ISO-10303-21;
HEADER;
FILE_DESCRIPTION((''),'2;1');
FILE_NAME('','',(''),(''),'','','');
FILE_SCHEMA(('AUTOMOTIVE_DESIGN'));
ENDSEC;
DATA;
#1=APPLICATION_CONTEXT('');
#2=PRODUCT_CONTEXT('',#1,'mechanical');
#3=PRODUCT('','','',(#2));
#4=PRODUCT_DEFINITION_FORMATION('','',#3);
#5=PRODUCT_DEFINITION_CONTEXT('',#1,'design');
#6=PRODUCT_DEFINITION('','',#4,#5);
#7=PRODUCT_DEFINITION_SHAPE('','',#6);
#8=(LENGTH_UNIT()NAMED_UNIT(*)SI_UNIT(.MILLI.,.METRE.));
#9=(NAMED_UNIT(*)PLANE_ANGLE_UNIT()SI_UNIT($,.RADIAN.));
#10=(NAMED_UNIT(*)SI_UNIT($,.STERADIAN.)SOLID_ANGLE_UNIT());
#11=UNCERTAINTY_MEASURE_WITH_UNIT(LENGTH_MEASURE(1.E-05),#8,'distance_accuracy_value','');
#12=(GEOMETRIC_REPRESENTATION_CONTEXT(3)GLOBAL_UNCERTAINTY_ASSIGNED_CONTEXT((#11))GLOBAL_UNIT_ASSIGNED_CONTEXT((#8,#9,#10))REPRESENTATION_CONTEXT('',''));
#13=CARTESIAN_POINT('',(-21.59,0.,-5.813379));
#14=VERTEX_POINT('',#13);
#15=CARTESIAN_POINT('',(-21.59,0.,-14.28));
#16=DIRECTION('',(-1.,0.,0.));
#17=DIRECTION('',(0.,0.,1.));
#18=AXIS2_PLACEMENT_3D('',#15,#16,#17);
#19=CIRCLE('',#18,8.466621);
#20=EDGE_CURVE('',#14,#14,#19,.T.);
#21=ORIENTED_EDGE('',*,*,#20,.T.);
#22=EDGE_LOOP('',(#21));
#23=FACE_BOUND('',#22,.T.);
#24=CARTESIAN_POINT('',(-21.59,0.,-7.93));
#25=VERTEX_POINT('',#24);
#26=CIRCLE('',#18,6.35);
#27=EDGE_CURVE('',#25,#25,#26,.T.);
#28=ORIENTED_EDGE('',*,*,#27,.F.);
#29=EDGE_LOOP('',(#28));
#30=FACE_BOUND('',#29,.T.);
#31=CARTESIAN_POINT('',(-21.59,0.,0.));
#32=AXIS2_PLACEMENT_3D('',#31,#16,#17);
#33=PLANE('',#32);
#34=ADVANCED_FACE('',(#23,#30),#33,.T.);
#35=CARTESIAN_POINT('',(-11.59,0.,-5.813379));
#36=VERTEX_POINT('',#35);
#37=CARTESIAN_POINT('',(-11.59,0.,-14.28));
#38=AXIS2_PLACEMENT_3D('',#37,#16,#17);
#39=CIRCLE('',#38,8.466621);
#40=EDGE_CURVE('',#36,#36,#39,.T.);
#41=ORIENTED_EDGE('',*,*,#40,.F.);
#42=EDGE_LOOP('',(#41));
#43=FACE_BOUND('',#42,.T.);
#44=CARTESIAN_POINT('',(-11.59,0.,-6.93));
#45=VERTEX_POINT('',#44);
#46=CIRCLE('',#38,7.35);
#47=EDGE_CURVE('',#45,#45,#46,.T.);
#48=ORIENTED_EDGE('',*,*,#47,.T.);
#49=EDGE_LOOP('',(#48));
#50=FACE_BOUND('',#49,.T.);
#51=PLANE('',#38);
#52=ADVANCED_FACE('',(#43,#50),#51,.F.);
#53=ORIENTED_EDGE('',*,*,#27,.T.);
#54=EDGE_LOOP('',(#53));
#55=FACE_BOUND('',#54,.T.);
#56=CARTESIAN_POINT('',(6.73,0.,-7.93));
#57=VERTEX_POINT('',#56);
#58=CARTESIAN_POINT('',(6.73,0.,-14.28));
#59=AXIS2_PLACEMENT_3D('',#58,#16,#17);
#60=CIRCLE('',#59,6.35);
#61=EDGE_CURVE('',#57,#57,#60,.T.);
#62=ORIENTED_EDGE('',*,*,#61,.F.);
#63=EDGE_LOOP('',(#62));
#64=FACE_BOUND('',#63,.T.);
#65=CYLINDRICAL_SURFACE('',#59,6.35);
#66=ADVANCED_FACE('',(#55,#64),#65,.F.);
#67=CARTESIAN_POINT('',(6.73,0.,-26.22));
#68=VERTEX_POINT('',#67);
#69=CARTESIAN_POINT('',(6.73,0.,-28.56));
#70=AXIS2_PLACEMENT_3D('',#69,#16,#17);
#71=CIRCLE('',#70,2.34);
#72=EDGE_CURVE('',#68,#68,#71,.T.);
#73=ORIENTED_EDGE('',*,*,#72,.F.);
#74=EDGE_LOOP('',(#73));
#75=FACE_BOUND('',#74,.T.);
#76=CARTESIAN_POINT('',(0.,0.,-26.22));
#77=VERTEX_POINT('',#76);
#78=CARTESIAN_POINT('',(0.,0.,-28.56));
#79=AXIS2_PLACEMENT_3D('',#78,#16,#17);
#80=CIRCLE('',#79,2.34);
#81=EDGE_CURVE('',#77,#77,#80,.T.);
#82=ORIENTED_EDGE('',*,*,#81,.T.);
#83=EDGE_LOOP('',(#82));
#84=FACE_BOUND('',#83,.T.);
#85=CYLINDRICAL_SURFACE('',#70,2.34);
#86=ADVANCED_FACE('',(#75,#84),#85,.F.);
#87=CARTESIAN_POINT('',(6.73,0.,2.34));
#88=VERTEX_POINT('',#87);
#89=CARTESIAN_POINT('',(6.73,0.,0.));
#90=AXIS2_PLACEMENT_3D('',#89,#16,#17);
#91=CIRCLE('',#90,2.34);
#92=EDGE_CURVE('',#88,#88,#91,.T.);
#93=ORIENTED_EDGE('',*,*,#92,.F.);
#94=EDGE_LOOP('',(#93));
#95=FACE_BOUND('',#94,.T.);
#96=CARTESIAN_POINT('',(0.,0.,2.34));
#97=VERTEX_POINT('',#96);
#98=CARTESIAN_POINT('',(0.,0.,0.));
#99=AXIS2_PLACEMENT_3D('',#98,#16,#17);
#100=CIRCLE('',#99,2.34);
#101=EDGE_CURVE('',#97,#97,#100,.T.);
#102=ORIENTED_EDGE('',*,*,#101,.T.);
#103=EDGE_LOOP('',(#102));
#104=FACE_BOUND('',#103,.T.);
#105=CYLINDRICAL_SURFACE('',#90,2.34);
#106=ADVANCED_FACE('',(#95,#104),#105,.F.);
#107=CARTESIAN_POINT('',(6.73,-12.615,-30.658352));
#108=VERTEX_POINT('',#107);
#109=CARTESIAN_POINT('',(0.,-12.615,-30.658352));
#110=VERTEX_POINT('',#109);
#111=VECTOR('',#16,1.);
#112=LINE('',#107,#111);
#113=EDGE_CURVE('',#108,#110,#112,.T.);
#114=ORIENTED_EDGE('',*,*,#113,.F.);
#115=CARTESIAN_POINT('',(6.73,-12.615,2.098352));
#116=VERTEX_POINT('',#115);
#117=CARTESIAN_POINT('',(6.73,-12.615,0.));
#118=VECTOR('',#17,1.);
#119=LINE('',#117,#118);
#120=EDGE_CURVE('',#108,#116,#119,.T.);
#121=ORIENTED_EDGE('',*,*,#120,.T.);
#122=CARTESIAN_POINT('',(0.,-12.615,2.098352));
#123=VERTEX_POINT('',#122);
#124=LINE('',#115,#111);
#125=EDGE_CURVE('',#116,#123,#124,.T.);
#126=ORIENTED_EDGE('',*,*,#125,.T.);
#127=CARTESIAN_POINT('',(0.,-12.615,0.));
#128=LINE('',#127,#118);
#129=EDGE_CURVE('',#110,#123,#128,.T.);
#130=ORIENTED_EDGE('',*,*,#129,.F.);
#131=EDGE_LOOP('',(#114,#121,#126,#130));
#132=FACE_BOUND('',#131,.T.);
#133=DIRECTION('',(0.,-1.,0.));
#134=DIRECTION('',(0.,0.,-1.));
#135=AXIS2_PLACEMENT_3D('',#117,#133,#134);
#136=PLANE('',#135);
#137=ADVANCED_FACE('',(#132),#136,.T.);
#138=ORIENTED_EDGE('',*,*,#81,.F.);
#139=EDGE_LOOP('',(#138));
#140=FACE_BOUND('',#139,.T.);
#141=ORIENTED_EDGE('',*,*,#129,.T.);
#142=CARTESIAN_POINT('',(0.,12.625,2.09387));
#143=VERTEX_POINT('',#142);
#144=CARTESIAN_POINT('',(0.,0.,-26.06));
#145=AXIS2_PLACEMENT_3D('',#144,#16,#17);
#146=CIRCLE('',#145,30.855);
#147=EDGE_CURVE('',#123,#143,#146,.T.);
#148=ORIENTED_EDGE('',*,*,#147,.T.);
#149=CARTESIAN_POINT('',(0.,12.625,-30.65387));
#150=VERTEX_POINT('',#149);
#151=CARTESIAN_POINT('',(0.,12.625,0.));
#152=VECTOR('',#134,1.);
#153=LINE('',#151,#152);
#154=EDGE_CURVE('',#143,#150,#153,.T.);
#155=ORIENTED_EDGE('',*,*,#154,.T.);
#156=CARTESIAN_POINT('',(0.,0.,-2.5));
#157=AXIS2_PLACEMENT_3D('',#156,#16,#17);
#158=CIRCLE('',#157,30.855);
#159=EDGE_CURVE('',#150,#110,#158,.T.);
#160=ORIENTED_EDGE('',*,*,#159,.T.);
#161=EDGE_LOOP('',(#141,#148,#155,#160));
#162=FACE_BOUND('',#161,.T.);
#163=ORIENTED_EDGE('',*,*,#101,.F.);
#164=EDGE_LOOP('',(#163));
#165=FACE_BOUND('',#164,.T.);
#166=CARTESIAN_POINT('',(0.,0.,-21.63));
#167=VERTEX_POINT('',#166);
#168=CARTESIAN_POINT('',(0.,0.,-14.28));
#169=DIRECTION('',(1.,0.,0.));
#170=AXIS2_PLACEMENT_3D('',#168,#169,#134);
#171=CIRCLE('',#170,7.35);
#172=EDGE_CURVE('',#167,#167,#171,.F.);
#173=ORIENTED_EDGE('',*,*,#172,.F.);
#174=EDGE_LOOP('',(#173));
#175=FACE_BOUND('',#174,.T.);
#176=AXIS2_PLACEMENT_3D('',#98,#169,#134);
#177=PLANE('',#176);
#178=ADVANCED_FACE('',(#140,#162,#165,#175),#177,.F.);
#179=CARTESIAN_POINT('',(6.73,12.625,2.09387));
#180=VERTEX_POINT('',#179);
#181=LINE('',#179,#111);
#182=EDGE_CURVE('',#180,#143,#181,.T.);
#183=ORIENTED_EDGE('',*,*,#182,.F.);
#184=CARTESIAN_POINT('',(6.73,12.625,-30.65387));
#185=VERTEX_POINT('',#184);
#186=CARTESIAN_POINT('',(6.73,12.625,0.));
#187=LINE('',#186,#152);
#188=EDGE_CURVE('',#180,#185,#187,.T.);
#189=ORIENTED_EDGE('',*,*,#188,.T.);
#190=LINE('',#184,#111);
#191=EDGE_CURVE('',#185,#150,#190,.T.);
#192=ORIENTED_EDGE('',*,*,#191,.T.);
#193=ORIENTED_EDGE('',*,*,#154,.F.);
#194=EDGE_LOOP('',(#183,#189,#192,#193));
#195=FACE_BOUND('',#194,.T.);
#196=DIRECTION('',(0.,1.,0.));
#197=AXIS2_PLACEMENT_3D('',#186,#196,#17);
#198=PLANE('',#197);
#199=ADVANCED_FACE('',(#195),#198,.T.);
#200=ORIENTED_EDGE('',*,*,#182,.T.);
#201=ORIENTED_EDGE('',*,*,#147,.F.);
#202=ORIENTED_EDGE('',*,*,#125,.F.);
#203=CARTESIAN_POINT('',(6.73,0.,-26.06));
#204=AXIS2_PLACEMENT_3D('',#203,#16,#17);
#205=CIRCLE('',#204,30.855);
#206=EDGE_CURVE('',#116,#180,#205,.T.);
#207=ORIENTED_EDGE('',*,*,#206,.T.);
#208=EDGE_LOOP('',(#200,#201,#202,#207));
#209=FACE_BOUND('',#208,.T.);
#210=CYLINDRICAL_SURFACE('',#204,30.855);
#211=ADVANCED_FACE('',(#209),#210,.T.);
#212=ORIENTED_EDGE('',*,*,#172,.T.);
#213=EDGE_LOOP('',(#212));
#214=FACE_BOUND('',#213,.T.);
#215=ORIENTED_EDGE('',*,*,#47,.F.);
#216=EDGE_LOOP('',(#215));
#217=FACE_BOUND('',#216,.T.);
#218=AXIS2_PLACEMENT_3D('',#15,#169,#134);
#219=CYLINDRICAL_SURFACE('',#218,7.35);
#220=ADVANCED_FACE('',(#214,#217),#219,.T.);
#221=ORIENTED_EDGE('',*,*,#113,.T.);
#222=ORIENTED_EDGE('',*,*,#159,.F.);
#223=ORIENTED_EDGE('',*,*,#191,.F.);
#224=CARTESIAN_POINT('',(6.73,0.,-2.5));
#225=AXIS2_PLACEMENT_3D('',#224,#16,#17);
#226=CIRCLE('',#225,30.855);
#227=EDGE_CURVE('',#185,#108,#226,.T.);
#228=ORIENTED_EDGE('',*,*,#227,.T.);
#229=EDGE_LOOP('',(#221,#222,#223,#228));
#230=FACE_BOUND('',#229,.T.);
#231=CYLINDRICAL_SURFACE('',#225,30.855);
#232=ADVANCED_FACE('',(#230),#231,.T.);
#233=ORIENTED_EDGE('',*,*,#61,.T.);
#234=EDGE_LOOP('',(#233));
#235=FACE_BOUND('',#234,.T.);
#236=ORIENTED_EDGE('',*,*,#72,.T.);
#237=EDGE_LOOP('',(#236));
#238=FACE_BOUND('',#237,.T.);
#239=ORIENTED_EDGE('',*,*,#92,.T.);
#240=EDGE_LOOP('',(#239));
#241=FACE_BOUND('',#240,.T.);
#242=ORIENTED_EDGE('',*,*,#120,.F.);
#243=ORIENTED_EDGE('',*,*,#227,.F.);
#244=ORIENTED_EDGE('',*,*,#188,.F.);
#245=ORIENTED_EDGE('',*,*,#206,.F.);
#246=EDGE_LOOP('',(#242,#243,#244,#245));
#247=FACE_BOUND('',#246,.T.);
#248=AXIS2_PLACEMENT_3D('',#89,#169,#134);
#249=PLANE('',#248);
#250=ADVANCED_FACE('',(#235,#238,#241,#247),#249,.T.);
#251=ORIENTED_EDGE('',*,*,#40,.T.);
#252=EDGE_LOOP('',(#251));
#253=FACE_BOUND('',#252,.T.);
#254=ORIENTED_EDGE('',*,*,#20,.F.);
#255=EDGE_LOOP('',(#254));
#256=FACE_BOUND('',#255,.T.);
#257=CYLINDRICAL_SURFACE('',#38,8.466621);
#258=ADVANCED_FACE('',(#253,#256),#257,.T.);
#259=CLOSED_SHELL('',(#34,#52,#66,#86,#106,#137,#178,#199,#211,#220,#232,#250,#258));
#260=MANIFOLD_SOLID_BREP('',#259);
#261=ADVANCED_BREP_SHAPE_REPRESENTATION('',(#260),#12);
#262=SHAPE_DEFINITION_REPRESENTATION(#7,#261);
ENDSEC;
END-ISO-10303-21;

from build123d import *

# Parameters (mm, degrees)
BOSS_EXTRUDE1_DEPTH = 6.73
CUT_EXTRUDE5_DEPTH  = 6.73
SKETCH4_R           = 7.35
BOSS_EXTRUDE2_DEPTH = 21.59
SKETCH5_R           = 6.35
CUT_EXTRUDE6_DEPTH  = 46.540850343
BOSS_EXTRUDE3_START = -10
SKETCH6_R           = 8.466621056
SKETCH6_R_2         = 7.35
BOSS_EXTRUDE3_DEPTH = 10
SKETCH7_R           = 2.5
SKETCH7_R_2         = 2.34
BOSS_EXTRUDE4_DEPTH = 6.73


with BuildPart() as part:
    # Sketch1 → Boss-Extrude1 (new body)
    with BuildSketch(Plane(origin=(0, 0, 0), x_dir=(0, 0, -1), z_dir=(1, 0, 0))):
        with BuildLine():
            Line((14.28, 0), (2.5, 0))
            ThreePointArc((2.5, 0), (0, -2.5), (-2.5, 0))
            Line((-2.5, 0), (-4.795, 0))
            Line((-4.795, 0), (-4.795, -12.615))
            Line((-4.795, -12.615), (14.28, -12.615))
            Line((14.28, -12.615), (14.28, 0))
        make_face()
        with BuildLine():
            ThreePointArc((-2.5, 0), (0, 2.5), (2.5, 0))
            Line((2.5, 0), (14.28, 0))
            Line((14.28, 0), (14.28, 12.625))
            Line((14.28, 12.625), (-4.795, 12.625))
            Line((-4.795, 12.625), (-4.795, 0))
            Line((-4.795, 0), (-2.5, 0))
        make_face()
        with BuildLine():
            Line((14.28, 12.625), (14.28, 0))
            Line((14.28, 0), (26.06, 0))
            ThreePointArc((26.06, 0), (28.56, 2.5), (31.06, 0))
            Line((31.06, 0), (33.355, 0))
            Line((33.355, 0), (33.355, 12.625))
            Line((33.355, 12.625), (14.28, 12.625))
        make_face()
        with BuildLine():
            Line((26.06, 0), (14.28, 0))
            Line((14.28, 0), (14.28, -12.615))
            Line((14.28, -12.615), (33.355, -12.615))
            Line((33.355, -12.615), (33.355, 0))
            Line((33.355, 0), (31.06, 0))
            ThreePointArc((31.06, 0), (28.56, -2.5), (26.06, 0))
        make_face()
    extrude(amount=BOSS_EXTRUDE1_DEPTH)

    # Sketch3 → Cut-Extrude5 (cut)
    with BuildSketch(Plane.ZY):
        with BuildLine():
            Line((4.795, -12.615), (4.795, 0))
            ThreePointArc((4.795, 0), (4.113307599, -6.450002601), (2.098352225, -12.615))
            Line((2.098352225, -12.615), (4.795, -12.615))
        make_face()
        with BuildLine():
            Line((4.795, 12.625), (2.093870071, 12.625))
            ThreePointArc((2.093870071, 12.625), (4.112161723, 6.455360716), (4.795, 0))
            Line((4.795, 0), (4.795, 12.625))
        make_face()
        with BuildLine():
            ThreePointArc((-33.355, 1.23e-07), (-32.67216171, 6.455360776), (-30.653870071, 12.625))
            Line((-30.653870071, 12.625), (-33.355, 12.625))
            Line((-33.355, 12.625), (-33.355, 1.23e-07))
        make_face()
        with BuildLine():
            ThreePointArc((-30.658352225, -12.615), (-32.673307611, -6.450002541), (-33.355, 1.23e-07))
            Line((-33.355, 1.23e-07), (-33.355, -12.615))
            Line((-33.355, -12.615), (-30.658352225, -12.615))
        make_face()
    extrude(amount=-CUT_EXTRUDE5_DEPTH, mode=Mode.SUBTRACT)

    # Sketch4 → Boss-Extrude2 (add)
    with BuildSketch(Plane.ZY):
        with Locations(Location((-14.28, 0, 0), (0, 0, 180))):
            Circle(SKETCH4_R)
    extrude(amount=BOSS_EXTRUDE2_DEPTH)

    # Sketch5 → Cut-Extrude6 (cut, through all)
    with BuildSketch(Plane.ZY.offset(21.59)):
        with Locations((-14.28, 0)):
            Circle(SKETCH5_R)
    extrude(amount=-CUT_EXTRUDE6_DEPTH, mode=Mode.SUBTRACT)

    # Sketch6 → Boss-Extrude3 (add)
    with BuildSketch(Plane.ZY.offset(21.59).offset(BOSS_EXTRUDE3_START)):
        with Locations((-14.28, 0)):
            Circle(SKETCH6_R)
        with Locations(Location((-14.28, 0, 0), (0, 0, 180))):
            Circle(SKETCH6_R_2, mode=Mode.SUBTRACT)
    extrude(amount=BOSS_EXTRUDE3_DEPTH)

    # Sketch7 → Boss-Extrude4 (add, through all)
    # profile 1 of 2: a face of its own
    with BuildSketch(Plane.ZY):
        with Locations((-28.56, 0)):
            Circle(SKETCH7_R)
        with Locations((-28.56, 0)):
            Circle(SKETCH7_R_2, mode=Mode.SUBTRACT)
    # profile 2 of 2: a face of its own
    with BuildSketch(Plane.ZY):
        Circle(SKETCH7_R)
        Circle(SKETCH7_R_2, mode=Mode.SUBTRACT)
    extrude(amount=-BOSS_EXTRUDE4_DEPTH)


solid = part.part
